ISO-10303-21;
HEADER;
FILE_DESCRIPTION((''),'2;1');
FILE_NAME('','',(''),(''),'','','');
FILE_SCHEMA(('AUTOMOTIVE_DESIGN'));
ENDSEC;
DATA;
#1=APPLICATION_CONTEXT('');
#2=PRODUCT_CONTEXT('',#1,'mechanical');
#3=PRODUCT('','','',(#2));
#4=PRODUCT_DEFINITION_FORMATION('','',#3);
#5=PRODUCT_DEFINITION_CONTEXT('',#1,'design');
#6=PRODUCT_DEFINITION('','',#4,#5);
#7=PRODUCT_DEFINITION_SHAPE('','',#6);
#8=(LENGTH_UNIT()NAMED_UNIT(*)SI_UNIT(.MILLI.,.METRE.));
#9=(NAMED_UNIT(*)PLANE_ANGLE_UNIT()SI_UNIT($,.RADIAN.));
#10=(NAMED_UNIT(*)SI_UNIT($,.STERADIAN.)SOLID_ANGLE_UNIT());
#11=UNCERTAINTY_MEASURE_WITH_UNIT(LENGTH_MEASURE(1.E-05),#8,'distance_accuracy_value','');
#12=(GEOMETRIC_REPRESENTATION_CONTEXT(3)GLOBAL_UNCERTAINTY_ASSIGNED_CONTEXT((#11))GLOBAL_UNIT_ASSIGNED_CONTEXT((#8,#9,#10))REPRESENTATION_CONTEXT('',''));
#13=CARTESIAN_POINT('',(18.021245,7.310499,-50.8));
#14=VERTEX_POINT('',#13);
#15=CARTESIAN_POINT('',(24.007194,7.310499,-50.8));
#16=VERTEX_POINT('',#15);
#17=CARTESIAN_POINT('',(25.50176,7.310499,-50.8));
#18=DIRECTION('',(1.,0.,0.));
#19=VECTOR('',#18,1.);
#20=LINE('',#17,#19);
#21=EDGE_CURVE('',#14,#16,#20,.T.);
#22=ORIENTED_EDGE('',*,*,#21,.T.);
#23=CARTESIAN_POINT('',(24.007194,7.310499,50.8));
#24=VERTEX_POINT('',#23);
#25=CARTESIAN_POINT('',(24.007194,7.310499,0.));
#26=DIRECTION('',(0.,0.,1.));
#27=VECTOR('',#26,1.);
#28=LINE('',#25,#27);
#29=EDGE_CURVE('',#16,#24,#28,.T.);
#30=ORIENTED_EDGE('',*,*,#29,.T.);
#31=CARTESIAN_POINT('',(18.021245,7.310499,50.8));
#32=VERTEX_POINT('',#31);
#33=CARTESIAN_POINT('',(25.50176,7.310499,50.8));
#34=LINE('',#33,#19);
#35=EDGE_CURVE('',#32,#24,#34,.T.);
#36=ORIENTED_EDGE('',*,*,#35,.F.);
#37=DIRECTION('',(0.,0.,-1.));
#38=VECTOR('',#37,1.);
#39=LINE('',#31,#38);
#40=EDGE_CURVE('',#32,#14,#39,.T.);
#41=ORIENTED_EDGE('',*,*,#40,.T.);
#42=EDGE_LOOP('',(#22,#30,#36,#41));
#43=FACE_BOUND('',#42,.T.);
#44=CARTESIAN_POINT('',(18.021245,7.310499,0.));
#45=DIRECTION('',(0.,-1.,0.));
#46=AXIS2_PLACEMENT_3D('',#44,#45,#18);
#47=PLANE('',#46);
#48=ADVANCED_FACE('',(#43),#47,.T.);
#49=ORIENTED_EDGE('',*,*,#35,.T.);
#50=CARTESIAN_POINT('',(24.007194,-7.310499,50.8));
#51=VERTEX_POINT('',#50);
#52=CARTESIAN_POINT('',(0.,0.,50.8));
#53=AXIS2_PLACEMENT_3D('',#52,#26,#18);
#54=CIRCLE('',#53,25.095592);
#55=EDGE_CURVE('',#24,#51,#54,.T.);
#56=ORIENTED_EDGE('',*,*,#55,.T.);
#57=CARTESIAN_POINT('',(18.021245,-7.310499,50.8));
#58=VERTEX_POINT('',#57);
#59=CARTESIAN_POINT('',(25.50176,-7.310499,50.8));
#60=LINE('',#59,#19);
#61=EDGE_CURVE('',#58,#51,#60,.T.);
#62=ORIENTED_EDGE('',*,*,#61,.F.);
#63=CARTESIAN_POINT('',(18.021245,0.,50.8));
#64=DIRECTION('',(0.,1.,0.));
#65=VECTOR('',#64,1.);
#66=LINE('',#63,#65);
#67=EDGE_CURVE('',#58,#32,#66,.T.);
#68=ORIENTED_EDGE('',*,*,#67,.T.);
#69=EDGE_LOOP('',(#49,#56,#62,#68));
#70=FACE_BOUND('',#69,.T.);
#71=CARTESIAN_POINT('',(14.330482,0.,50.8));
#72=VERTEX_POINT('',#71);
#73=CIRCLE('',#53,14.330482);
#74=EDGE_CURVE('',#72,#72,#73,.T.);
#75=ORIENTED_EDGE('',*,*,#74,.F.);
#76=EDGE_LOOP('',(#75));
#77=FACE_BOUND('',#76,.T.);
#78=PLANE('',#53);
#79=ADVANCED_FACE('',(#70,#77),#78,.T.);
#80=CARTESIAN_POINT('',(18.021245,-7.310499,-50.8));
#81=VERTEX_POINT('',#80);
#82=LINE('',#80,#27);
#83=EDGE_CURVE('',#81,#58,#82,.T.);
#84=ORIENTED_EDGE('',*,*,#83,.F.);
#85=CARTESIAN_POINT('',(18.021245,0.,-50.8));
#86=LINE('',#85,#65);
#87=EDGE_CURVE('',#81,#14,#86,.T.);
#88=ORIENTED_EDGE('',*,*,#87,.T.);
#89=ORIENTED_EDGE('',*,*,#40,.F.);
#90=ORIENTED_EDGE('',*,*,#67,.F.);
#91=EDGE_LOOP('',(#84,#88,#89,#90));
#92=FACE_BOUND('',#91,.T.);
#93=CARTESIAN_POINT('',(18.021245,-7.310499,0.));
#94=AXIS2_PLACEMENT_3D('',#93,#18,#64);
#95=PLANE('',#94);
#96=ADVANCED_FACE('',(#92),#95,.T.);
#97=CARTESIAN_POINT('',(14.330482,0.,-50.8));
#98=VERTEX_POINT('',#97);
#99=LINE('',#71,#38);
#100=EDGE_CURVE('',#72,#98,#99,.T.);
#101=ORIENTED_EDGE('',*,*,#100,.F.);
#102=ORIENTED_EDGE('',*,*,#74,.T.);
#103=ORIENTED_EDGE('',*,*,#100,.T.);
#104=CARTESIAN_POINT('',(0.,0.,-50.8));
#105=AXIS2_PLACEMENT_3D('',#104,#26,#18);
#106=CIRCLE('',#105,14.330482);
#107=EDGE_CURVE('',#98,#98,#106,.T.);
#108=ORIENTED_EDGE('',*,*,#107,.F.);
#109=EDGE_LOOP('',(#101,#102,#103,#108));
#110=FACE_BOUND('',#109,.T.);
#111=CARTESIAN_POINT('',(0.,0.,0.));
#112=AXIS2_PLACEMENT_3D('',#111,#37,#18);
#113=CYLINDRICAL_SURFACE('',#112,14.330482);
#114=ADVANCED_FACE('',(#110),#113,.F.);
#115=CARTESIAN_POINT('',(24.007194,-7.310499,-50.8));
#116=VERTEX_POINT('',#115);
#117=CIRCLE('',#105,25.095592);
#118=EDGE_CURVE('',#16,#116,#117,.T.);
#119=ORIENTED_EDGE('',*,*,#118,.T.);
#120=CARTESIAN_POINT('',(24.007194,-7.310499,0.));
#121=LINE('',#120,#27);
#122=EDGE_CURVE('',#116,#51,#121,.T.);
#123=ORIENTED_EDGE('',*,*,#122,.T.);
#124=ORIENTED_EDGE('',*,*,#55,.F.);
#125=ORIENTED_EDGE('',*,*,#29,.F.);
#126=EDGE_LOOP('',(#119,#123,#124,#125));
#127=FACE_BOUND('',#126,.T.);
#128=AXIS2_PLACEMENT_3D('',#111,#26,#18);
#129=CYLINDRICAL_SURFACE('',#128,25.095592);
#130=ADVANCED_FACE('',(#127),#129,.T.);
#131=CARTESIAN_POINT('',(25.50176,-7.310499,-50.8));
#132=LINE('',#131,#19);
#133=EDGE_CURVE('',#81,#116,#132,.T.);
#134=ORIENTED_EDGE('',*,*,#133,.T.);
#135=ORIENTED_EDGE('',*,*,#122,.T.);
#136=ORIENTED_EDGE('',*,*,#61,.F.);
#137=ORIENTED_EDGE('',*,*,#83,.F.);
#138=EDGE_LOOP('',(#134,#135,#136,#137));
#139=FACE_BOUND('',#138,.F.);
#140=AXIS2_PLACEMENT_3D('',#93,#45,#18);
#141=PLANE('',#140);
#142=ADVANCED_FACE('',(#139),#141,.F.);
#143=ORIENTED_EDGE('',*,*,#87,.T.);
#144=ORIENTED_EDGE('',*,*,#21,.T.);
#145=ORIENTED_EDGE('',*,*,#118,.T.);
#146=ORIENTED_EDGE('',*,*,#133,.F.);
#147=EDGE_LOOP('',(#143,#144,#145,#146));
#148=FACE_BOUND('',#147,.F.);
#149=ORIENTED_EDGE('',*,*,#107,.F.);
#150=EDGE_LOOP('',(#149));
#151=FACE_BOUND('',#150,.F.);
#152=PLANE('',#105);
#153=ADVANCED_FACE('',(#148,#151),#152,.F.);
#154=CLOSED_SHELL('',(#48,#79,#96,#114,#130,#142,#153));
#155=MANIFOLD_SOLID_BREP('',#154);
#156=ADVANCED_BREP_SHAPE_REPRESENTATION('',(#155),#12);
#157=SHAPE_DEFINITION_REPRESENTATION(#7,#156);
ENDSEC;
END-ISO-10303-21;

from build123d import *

# Parameters (mm, degrees)
F0_R     = 25.095592
F0_R_2   = 14.330482
F1_DEPTH = 50.8
F2_W     = 14.96103
F2_H     = 14.620998
F3_DEPTH = 50.8


with BuildPart() as f1:
    # F0 (on Top) → F1 (new body, symmetric)
    with BuildSketch(Plane.XY):
        Circle(F0_R)
        Circle(F0_R_2, mode=Mode.SUBTRACT)
    extrude(amount=F1_DEPTH, both=True)

    # F2 (on Top) → F3 (cut, symmetric)
    with BuildSketch(Plane.XY):
        with Locations((25.50176, 0)):
            Rectangle(F2_W, F2_H)
    extrude(amount=F3_DEPTH, both=True, mode=Mode.SUBTRACT)


solid = f1.part
